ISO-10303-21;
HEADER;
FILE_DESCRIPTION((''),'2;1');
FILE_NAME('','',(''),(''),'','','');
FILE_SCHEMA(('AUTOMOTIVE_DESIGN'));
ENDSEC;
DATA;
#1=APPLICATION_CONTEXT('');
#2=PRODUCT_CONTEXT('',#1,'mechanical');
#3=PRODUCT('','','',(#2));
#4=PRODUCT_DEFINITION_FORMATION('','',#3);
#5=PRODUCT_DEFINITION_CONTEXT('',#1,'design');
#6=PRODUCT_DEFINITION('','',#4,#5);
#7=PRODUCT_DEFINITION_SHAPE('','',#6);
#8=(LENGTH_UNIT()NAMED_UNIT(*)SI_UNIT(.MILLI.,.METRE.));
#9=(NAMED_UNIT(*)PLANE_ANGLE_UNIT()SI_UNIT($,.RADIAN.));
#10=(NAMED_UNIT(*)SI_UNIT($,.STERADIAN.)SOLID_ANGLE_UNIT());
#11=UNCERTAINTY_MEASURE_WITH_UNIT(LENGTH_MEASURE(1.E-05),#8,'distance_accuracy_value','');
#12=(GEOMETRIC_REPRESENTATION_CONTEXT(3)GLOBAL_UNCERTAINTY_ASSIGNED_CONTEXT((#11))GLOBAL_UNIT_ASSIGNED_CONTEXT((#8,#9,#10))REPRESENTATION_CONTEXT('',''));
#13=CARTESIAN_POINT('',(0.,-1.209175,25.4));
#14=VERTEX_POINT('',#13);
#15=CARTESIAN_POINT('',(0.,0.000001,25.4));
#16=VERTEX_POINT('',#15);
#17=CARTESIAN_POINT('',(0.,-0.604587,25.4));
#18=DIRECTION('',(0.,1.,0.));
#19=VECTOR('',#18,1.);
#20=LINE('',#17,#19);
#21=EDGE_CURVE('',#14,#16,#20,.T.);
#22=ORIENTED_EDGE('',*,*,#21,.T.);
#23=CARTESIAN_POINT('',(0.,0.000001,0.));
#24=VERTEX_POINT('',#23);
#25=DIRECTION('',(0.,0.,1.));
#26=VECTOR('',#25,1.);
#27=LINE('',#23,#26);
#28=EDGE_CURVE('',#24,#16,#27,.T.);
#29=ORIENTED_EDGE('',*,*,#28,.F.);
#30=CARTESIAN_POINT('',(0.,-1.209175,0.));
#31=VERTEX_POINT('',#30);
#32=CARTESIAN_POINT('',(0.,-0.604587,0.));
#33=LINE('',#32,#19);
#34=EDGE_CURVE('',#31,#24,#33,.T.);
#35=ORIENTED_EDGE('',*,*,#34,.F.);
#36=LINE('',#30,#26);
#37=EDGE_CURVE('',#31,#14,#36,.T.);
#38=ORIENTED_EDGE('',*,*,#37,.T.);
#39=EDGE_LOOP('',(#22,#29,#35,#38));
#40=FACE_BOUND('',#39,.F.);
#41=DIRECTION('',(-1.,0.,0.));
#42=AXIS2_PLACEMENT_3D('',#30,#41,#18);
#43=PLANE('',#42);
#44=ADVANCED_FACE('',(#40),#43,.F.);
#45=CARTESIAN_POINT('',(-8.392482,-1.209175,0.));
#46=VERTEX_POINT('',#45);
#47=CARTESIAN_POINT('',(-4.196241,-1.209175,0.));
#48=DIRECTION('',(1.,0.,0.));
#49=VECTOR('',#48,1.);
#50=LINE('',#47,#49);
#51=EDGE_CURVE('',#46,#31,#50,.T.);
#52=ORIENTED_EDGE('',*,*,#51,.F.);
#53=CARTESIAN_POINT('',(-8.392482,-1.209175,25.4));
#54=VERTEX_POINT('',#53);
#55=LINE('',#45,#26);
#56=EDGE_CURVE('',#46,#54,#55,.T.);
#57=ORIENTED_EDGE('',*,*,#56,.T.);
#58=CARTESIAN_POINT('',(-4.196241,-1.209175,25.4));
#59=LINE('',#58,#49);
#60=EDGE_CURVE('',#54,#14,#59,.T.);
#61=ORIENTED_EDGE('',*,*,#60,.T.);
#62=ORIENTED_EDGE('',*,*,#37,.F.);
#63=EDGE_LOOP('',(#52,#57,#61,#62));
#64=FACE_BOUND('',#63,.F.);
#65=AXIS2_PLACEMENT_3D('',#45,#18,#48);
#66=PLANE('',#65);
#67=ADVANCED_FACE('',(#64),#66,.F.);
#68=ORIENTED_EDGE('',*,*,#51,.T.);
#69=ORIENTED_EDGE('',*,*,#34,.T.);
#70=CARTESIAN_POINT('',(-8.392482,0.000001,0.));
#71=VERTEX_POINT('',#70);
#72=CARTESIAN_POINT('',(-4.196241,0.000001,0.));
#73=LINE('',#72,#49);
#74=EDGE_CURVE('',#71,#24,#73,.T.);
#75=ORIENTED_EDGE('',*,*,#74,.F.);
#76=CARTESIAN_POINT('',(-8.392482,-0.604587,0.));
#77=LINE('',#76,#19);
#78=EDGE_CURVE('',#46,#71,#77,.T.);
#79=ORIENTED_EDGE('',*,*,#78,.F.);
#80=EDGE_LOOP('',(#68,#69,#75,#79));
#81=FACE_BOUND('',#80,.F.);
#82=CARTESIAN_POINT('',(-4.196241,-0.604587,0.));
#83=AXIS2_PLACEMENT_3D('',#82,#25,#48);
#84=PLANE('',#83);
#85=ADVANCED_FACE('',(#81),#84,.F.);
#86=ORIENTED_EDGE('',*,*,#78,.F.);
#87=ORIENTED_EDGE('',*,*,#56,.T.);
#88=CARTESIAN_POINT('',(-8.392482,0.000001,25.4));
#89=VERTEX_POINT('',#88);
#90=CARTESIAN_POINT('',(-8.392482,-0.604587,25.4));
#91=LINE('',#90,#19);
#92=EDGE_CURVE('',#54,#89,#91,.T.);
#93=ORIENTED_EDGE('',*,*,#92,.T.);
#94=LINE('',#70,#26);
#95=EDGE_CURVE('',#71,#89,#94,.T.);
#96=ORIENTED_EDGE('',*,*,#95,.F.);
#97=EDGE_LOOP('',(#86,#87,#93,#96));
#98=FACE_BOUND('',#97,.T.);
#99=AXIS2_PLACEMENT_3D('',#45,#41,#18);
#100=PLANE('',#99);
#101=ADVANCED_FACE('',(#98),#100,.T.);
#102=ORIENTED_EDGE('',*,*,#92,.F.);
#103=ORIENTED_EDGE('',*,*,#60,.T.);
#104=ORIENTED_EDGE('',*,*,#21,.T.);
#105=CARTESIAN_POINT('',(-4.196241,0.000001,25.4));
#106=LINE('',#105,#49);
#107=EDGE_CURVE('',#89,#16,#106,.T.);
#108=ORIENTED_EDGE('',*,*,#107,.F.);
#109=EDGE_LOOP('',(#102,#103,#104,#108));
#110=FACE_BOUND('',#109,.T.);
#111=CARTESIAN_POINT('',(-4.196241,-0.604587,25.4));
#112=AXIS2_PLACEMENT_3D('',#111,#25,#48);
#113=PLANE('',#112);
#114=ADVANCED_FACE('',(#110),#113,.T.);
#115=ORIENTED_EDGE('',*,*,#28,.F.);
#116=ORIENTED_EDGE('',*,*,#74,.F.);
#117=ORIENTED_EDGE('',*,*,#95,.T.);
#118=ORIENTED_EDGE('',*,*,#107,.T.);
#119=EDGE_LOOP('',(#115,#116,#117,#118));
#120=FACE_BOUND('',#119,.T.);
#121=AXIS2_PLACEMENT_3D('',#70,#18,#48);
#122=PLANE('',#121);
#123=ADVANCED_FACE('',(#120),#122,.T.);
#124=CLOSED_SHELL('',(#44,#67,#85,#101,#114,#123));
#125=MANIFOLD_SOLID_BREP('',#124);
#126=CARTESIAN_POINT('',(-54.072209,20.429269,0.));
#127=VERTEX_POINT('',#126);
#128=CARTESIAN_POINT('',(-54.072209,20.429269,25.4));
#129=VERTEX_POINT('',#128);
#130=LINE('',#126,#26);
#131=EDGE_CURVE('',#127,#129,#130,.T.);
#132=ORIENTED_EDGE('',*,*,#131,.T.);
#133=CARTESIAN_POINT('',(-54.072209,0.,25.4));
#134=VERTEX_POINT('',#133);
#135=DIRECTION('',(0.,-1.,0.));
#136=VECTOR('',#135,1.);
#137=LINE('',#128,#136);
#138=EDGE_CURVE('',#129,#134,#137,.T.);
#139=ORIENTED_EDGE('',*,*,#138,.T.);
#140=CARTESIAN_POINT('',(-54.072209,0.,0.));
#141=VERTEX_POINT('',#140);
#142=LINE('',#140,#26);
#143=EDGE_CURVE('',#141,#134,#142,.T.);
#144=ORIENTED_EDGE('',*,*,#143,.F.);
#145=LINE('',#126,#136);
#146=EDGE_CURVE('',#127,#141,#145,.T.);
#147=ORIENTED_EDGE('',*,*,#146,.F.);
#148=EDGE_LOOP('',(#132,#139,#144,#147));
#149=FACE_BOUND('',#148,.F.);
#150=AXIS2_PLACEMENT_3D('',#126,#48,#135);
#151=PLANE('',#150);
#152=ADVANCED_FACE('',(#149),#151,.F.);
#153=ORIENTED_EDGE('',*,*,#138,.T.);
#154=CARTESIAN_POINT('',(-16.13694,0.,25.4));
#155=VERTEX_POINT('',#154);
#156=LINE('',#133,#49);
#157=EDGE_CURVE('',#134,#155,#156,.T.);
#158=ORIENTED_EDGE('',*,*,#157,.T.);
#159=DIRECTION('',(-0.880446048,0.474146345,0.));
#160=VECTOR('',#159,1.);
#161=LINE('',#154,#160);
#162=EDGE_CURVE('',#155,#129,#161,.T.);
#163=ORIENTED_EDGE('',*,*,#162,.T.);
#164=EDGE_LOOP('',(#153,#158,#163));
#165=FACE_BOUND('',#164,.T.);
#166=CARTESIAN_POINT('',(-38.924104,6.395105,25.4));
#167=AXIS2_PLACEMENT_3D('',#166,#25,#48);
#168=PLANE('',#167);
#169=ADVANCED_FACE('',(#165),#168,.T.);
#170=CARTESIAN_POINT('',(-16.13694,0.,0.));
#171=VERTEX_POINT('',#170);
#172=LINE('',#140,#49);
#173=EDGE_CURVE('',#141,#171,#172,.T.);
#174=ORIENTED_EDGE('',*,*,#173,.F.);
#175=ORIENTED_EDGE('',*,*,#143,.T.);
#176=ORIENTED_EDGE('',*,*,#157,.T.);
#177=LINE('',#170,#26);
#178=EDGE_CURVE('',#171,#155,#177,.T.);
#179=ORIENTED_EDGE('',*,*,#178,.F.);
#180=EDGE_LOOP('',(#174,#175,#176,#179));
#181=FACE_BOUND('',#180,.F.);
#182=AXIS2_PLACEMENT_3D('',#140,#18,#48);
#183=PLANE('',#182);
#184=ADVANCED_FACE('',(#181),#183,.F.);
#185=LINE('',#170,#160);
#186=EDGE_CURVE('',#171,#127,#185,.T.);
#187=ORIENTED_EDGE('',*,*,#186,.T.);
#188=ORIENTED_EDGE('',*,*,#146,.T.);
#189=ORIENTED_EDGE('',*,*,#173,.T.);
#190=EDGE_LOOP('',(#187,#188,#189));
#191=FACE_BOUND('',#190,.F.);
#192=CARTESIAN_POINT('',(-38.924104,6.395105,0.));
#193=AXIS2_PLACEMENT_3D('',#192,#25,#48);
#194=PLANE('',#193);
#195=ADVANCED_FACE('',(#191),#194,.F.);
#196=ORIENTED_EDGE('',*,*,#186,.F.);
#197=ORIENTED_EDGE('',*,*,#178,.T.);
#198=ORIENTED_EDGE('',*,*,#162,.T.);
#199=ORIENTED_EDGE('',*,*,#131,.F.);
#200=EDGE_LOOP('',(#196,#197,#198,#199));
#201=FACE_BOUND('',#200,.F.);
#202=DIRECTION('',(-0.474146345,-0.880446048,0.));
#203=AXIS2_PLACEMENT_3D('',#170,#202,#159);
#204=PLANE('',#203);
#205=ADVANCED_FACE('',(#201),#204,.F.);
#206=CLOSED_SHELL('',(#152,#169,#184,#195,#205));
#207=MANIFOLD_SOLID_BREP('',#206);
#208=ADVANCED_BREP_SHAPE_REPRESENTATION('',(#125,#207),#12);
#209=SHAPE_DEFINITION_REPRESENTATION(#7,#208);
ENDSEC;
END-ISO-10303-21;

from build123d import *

# Parameters (mm, degrees)
F0_W     = 8.392481
F0_H     = 1.209175
F1_DEPTH = 25.4


with BuildPart() as f1:
    # F0 (on Top) → F1 (new body)
    with BuildSketch(Plane.XY):
        with Locations((-4.196241, -0.604587)):
            Rectangle(F0_W, F0_H)
        Polygon((-54.072209, 0), (-16.13694, 0), (-54.072209, 20.429269), align=None)
    extrude(amount=F1_DEPTH)


solid = f1.part
